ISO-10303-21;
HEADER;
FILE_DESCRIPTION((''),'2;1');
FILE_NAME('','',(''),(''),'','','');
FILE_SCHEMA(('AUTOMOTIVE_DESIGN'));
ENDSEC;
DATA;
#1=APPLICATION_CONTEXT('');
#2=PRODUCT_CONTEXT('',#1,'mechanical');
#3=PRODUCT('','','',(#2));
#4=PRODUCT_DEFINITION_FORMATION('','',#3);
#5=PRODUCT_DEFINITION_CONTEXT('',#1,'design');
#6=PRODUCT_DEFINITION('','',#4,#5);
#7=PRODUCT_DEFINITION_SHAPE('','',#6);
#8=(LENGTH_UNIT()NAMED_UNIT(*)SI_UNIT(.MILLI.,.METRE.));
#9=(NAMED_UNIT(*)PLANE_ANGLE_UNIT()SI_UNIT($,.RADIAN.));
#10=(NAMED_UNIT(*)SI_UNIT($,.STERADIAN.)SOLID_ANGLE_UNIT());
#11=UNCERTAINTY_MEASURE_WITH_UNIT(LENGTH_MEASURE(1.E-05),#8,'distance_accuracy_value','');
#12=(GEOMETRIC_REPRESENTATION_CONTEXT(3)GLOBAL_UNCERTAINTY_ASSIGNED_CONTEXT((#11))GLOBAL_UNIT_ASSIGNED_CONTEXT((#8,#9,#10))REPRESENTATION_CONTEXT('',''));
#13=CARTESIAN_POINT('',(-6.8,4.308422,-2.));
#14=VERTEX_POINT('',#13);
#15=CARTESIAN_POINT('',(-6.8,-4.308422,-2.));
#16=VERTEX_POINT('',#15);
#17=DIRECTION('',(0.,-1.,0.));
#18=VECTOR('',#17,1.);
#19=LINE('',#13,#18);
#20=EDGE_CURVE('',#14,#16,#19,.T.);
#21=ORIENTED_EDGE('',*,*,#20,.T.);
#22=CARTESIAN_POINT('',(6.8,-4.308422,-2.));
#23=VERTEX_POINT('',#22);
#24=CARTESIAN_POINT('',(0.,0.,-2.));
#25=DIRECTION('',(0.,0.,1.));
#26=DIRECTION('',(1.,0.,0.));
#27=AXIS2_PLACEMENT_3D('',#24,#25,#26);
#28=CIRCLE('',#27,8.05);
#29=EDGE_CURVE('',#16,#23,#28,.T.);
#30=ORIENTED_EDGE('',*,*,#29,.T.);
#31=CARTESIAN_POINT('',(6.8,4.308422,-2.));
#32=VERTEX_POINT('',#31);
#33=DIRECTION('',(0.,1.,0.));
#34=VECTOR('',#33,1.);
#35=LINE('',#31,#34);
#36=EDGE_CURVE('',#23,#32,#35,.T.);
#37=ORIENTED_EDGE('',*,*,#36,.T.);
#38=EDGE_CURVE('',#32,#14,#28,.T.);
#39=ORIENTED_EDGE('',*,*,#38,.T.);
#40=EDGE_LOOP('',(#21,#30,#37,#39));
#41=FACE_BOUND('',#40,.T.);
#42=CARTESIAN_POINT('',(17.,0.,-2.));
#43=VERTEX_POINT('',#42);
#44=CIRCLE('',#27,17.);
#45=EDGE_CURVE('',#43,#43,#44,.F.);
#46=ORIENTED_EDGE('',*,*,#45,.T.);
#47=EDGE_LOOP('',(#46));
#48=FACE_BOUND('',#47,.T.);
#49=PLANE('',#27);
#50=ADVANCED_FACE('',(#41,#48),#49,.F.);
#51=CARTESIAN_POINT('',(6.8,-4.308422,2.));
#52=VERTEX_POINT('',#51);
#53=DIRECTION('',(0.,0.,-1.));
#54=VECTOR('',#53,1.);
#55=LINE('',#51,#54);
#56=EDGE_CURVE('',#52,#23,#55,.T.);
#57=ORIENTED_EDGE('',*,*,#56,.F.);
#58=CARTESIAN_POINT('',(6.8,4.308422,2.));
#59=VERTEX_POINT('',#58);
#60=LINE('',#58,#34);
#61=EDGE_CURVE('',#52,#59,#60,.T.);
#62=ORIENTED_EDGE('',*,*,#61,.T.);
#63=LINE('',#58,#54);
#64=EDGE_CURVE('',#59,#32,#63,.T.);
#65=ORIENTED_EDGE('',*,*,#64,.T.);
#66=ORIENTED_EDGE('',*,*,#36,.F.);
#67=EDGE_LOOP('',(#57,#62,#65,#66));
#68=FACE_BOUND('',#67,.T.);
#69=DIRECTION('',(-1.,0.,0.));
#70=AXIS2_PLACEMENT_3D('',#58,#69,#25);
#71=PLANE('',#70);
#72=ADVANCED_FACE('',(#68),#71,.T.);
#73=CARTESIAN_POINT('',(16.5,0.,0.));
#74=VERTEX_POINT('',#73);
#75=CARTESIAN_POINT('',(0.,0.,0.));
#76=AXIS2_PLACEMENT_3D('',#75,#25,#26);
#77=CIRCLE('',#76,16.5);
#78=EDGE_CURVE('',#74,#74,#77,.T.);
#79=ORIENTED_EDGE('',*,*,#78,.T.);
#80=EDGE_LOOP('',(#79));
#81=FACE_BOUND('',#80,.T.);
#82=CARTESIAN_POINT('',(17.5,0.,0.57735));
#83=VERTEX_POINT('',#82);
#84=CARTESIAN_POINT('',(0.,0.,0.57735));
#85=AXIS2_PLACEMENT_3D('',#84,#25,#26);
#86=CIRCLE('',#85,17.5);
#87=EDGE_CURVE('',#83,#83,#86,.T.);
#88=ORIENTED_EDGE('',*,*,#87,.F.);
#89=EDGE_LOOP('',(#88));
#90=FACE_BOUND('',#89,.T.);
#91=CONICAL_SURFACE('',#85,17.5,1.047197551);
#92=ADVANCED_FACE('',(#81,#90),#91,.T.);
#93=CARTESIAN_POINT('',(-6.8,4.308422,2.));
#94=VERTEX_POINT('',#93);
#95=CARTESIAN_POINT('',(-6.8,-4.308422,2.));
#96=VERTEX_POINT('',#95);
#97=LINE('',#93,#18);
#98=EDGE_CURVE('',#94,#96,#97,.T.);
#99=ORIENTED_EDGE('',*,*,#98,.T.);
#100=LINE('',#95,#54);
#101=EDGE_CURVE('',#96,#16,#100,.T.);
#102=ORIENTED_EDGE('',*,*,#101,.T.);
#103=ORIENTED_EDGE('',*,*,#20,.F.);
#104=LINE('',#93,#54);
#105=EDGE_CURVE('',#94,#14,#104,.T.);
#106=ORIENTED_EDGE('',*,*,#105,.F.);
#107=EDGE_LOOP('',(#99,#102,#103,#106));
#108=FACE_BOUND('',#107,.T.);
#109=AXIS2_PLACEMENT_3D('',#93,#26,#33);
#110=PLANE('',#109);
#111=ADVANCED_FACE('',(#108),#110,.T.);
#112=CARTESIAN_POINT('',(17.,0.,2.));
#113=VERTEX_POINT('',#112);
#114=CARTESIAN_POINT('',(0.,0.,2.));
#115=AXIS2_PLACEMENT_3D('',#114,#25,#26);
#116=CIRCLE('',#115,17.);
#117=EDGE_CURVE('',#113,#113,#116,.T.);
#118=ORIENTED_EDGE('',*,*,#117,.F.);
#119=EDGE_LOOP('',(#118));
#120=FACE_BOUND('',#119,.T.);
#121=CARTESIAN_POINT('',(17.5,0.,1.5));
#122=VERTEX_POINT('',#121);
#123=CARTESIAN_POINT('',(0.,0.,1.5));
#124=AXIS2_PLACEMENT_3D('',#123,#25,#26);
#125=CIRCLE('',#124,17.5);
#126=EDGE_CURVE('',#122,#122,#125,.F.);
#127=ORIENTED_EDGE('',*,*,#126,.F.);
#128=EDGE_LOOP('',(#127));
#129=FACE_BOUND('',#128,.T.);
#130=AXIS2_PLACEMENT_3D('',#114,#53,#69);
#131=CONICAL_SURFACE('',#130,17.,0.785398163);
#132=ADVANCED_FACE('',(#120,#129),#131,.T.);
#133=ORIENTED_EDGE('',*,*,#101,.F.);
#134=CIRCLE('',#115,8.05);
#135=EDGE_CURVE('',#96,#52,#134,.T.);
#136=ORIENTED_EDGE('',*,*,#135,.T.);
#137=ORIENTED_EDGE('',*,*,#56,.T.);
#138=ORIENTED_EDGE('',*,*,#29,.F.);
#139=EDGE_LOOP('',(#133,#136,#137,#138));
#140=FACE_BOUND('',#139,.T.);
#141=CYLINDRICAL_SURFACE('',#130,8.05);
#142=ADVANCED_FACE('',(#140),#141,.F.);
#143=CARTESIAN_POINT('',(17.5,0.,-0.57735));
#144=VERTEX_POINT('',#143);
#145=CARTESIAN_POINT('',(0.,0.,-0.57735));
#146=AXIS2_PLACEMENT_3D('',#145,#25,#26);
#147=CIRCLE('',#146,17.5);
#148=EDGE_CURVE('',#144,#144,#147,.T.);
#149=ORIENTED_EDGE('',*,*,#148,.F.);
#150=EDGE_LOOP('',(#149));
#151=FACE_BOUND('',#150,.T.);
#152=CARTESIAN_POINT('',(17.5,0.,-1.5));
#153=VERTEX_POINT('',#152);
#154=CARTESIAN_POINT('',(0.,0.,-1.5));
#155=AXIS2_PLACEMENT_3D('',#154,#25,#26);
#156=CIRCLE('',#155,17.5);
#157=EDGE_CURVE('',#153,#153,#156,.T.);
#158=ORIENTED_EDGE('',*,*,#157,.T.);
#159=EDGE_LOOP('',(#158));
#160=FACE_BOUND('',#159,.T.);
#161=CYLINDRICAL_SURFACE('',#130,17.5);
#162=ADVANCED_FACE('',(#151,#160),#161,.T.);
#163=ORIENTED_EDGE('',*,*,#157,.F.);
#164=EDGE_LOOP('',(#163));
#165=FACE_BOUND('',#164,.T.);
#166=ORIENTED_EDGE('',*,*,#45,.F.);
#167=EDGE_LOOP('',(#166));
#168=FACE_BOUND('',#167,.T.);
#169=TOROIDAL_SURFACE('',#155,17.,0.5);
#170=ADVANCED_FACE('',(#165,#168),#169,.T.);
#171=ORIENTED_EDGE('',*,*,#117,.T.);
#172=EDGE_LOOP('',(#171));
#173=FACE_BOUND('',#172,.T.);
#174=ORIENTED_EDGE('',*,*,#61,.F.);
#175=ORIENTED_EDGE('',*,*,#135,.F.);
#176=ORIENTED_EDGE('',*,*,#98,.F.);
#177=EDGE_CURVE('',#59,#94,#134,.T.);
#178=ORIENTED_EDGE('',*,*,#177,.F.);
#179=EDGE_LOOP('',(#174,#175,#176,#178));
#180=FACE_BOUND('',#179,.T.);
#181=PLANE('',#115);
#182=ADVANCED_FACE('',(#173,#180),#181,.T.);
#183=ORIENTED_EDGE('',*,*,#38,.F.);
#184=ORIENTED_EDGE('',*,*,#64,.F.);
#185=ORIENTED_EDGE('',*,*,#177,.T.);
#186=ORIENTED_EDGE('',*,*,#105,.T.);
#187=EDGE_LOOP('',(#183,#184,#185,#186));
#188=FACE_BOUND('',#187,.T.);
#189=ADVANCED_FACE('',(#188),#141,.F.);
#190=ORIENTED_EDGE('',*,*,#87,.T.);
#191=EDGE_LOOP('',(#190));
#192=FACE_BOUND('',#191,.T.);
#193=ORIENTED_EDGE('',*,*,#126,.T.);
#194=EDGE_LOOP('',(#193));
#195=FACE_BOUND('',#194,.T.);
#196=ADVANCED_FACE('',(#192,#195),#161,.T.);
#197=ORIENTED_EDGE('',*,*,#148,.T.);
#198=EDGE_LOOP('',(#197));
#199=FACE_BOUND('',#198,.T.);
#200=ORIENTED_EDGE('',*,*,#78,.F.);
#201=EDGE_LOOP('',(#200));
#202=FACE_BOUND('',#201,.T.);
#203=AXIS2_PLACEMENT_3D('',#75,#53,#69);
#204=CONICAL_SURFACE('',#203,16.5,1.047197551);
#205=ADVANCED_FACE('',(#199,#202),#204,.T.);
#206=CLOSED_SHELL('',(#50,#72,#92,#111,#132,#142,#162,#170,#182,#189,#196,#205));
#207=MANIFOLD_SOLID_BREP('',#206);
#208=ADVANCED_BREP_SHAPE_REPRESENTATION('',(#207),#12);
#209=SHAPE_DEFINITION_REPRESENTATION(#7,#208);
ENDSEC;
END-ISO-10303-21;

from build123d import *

# Parameters (mm, degrees)
SKETCH_1_R      = 17.5
EXTRUDE_2_DEPTH = 2
CHAMFER_1_SIZE  = 0.5
FILLET_2_R      = 0.5


with BuildPart() as part:
    # Эскиз1 → Бобышка-Вытянуть2 (new, symmetric)
    with BuildSketch(Plane.XY):
        Circle(SKETCH_1_R)
        with BuildLine():
            Line((6.8, 4.308421985), (6.8, -4.308421985))
            ThreePointArc((6.8, -4.308421985), (0, -8.05), (-6.8, -4.308421985))
            Line((-6.8, -4.308421985), (-6.8, 4.308421985))
            ThreePointArc((-6.8, 4.308421985), (0, 8.05), (6.8, 4.308421985))
        make_face(mode=Mode.SUBTRACT)
    extrude(amount=EXTRUDE_2_DEPTH, both=True)

    # Эскиз2 → Вырез-Повернуть1 (revolve, cut)
    with BuildSketch(Plane(origin=(0, 0, 0), x_dir=(0, 0, -1), z_dir=(1, 0, 0)), mode=Mode.PRIVATE) as cut_revolve_1_sk:
        Polygon((-0.577350269, 17.5), (0.577350269, 17.5), (0, 16.5), align=None)
    revolve(cut_revolve_1_sk.sketch.rotate(Axis((0, 0, 3.24866267), (0, 0, -1)), 90), axis=Axis((0, 0, 3.24866267), (0, 0, -1)), mode=Mode.SUBTRACT)

    # Фаска1
    chamfer_1_edges = [part.edges().sort_by_distance(p)[0] for p in [
        (-17.5, 0, 2),
    ]]
    chamfer(chamfer_1_edges, length=CHAMFER_1_SIZE)

    # Скругление2
    fillet_2_edges = [part.edges().sort_by_distance(p)[0] for p in [
        (-17.5, 0, -2),
    ]]
    fillet(fillet_2_edges, radius=FILLET_2_R)


solid = part.part
